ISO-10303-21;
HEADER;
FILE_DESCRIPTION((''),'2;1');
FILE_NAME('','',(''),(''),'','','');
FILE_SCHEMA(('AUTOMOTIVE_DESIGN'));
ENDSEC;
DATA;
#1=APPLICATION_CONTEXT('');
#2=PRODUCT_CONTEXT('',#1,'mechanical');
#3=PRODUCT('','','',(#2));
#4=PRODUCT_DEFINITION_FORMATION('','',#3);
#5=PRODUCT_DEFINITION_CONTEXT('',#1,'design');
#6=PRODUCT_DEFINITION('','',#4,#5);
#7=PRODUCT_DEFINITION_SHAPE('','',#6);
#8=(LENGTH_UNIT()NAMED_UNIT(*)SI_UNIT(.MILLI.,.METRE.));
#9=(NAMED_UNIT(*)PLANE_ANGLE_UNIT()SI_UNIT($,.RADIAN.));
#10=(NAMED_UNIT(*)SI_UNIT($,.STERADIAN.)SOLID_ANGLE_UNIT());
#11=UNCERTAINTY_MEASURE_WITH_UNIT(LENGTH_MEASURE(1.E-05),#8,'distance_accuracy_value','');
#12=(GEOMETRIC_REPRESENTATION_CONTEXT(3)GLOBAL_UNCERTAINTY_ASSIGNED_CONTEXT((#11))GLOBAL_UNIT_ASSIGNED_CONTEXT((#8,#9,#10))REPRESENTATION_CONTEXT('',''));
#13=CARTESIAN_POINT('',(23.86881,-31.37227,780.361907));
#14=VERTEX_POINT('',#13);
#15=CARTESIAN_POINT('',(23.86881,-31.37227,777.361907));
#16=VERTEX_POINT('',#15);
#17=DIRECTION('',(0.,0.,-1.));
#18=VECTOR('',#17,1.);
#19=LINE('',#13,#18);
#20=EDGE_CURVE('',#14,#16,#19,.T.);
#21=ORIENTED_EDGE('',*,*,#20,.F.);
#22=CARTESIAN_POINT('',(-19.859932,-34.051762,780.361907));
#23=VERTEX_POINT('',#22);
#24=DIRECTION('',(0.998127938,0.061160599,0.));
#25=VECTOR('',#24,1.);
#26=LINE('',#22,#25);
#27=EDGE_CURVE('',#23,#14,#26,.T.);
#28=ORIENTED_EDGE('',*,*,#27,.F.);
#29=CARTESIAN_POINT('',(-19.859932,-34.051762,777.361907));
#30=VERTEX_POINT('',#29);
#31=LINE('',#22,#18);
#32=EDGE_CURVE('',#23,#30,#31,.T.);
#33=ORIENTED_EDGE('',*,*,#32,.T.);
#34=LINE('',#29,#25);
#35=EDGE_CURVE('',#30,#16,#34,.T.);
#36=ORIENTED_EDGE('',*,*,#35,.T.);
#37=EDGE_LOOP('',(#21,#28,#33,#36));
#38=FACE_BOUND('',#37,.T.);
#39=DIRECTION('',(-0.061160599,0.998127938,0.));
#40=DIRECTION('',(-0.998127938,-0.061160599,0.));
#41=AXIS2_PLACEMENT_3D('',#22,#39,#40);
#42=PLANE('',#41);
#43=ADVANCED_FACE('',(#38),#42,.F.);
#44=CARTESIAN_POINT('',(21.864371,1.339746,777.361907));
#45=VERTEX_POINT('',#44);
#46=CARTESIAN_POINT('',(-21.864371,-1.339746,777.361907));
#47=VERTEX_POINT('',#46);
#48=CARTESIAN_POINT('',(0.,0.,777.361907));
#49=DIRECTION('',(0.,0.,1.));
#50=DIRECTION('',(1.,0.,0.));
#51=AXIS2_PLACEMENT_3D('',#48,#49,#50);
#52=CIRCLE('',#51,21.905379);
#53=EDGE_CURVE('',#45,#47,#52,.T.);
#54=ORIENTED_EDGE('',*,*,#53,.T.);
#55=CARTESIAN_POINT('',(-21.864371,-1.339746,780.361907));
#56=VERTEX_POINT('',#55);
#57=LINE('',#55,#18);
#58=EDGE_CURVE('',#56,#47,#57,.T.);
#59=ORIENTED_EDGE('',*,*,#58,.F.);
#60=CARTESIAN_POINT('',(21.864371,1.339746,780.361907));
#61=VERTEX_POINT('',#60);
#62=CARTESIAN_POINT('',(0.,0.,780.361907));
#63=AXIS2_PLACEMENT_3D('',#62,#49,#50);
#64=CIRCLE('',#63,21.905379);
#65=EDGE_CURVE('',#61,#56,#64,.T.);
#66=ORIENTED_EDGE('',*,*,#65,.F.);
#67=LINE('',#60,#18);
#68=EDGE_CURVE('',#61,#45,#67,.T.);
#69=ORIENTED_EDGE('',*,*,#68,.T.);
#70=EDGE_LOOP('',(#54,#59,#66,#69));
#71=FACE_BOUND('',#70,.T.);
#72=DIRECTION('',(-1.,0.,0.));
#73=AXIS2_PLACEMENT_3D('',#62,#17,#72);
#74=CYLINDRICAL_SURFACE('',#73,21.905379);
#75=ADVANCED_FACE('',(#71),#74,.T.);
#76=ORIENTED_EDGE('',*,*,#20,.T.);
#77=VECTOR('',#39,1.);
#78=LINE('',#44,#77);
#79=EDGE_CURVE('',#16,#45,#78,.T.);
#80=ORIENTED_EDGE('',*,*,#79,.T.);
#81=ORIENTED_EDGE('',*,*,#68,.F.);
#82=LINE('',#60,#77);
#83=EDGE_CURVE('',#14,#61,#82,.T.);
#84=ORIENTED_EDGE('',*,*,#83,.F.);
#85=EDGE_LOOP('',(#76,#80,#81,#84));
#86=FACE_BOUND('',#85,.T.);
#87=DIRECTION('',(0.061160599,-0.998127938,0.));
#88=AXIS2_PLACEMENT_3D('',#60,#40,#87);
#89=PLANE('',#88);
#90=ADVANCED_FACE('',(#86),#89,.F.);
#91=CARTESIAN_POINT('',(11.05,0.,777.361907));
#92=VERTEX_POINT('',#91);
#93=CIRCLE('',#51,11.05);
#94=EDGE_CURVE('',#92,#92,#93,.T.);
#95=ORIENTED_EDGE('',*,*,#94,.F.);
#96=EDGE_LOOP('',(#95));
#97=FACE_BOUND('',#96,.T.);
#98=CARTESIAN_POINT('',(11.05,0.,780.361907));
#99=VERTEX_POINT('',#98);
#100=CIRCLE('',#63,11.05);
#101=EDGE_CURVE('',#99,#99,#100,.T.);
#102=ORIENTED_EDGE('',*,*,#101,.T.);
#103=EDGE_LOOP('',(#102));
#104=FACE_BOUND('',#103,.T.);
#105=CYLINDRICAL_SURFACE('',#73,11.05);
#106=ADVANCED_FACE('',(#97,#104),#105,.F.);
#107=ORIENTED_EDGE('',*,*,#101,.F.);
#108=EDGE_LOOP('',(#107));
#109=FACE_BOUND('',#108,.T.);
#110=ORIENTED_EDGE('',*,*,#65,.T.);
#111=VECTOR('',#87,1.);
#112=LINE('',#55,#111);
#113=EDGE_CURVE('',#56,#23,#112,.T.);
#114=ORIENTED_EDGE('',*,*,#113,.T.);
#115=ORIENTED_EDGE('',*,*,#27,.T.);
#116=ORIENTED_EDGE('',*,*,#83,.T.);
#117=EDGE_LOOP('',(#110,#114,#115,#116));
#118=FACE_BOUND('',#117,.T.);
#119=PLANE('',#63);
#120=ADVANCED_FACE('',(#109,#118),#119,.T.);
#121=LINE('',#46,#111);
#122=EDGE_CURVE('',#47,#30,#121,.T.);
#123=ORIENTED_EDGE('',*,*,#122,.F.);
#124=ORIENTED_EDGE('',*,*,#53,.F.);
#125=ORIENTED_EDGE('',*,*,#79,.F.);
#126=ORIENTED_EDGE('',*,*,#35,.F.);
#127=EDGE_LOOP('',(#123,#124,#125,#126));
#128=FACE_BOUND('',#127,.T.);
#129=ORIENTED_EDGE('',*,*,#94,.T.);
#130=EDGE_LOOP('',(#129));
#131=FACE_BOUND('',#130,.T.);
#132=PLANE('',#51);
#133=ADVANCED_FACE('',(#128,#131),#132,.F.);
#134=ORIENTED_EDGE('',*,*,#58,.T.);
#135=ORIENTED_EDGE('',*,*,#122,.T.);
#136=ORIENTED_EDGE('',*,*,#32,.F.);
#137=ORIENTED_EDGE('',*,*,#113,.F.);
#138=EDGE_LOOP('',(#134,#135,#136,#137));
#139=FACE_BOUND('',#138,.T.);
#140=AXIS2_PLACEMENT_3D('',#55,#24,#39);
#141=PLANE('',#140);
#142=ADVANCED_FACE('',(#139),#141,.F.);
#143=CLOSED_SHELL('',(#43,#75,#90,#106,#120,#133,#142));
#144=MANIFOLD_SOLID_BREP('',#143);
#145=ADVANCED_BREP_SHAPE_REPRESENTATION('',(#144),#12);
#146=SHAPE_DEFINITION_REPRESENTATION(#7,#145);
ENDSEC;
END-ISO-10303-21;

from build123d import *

# Parameters (mm, degrees)
SKETCH2_R           = 11.05
BOSS_EXTRUDE1_DEPTH = 3


with BuildPart() as part:
    # Sketch2 → Boss-Extrude1 (new body)
    with BuildSketch(Plane.XY.offset(777.361907162)):
        with BuildLine():
            Line((-21.864371204, -1.339746134), (-19.859932286, -34.051761818))
            Line((-19.859932286, -34.051761818), (23.868810121, -31.37226955))
            Line((23.868810121, -31.37226955), (21.864371204, 1.339746134))
            ThreePointArc((21.864371204, 1.339746134), (-1.339746134, 21.864371204), (-21.864371204, -1.339746134))
        make_face()
        Circle(SKETCH2_R, mode=Mode.SUBTRACT)
    extrude(amount=BOSS_EXTRUDE1_DEPTH)


solid = part.part
